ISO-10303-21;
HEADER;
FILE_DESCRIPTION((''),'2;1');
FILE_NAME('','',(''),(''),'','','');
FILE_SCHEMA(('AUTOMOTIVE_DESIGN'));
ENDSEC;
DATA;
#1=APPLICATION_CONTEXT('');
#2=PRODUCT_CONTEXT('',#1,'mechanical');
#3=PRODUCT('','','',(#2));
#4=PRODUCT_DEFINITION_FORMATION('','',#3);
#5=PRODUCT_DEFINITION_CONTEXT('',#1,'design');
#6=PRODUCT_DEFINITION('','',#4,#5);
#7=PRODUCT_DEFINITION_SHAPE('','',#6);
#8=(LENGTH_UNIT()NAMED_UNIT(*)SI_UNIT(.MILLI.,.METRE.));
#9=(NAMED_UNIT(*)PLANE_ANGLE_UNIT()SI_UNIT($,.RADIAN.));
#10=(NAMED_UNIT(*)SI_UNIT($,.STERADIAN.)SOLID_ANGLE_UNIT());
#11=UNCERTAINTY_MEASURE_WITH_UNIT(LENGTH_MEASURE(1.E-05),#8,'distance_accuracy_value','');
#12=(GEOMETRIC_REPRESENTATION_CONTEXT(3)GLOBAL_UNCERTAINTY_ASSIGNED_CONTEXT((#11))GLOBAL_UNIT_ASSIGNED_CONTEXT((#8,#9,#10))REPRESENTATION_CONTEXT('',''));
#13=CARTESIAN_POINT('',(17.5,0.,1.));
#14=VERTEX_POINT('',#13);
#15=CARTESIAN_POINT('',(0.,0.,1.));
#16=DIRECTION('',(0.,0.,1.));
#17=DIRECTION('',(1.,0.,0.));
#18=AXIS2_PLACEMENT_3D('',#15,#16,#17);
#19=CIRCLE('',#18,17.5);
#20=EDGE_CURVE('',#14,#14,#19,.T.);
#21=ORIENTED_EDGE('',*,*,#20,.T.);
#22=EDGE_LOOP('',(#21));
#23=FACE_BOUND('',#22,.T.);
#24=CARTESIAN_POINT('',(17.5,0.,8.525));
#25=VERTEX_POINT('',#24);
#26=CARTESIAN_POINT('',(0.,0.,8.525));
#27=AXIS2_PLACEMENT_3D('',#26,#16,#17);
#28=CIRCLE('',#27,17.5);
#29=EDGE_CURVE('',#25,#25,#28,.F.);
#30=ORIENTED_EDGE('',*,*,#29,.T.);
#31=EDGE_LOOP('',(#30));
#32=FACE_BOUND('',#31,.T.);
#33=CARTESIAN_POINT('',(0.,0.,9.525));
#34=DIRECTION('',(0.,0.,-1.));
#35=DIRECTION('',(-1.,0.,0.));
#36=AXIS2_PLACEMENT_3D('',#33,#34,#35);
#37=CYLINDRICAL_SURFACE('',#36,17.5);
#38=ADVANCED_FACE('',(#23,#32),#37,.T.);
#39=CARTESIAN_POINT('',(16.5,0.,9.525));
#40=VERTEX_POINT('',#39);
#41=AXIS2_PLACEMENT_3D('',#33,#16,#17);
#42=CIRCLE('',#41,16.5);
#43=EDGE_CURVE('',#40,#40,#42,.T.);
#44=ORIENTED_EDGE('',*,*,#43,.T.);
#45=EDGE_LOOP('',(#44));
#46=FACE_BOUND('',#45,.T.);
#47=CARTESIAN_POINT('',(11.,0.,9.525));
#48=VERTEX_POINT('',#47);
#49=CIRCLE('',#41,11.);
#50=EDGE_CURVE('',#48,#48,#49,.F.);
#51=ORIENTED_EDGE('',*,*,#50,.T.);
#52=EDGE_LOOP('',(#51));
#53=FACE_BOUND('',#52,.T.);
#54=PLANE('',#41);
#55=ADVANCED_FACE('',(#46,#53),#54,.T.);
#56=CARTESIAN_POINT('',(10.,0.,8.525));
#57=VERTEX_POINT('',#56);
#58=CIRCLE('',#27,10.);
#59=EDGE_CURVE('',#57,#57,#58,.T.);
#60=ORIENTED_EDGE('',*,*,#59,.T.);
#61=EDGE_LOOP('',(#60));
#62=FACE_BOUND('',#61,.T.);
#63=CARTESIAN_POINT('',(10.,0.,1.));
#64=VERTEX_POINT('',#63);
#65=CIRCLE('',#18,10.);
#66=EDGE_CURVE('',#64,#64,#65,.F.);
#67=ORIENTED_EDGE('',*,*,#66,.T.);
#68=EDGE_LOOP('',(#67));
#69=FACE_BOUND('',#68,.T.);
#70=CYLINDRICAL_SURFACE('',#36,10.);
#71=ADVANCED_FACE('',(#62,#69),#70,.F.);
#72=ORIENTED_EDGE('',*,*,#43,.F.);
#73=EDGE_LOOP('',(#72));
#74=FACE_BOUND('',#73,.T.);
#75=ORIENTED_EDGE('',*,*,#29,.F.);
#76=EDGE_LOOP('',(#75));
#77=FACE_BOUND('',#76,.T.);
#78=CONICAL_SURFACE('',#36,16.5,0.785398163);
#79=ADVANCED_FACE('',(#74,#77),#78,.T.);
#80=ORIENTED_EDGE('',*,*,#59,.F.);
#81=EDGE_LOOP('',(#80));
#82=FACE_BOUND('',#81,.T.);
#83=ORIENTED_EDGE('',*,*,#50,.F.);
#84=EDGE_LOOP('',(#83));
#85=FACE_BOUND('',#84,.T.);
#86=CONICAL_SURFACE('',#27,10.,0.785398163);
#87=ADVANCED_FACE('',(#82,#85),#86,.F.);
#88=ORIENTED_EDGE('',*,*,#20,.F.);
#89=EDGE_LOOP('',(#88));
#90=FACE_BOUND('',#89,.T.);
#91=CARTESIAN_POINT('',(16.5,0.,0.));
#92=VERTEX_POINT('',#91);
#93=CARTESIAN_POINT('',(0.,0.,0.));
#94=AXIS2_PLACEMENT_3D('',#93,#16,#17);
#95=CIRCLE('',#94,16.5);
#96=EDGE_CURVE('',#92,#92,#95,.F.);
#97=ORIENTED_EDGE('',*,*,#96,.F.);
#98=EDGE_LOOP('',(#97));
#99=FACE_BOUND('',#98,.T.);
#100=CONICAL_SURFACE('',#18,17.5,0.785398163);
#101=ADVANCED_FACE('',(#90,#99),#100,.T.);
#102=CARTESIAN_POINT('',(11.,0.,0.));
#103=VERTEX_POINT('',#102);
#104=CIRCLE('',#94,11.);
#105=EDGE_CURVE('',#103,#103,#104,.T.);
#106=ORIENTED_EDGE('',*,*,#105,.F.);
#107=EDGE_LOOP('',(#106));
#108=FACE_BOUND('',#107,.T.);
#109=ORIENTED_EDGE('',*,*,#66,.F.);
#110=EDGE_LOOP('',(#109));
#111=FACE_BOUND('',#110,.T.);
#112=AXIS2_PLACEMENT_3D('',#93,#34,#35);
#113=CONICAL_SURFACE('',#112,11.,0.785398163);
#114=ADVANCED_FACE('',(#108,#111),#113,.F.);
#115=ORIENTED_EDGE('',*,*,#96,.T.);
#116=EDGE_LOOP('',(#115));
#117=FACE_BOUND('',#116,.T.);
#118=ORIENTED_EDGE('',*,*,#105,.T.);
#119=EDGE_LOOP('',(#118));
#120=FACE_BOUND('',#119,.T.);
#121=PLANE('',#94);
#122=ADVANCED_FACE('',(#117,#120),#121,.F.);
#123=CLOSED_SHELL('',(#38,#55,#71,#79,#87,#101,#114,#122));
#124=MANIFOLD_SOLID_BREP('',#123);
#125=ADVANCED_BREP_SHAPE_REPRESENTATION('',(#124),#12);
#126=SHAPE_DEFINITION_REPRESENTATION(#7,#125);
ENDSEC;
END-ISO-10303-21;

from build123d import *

# Parameters (mm, degrees)
ESBO_O1_R                = 17.5
ESBO_O1_R_2              = 10
RESSALTO_EXTRUS_O1_DEPTH = 9.525
CHANFRO1_SIZE            = 1


with BuildPart() as part:
    # Esboço1 → Ressalto-extrusão1 (new body)
    with BuildSketch(Plane.XY):
        Circle(ESBO_O1_R)
        Circle(ESBO_O1_R_2, mode=Mode.SUBTRACT)
    extrude(amount=RESSALTO_EXTRUS_O1_DEPTH)

    # Chanfro1
    chanfro1_edges = [part.edges().sort_by_distance(p)[0] for p in [
        (-17.5, 0, 0),
        (-17.5, 0, 9.525),
        (-10, 0, 0),
        (-10, 0, 9.525),
    ]]
    chamfer(chanfro1_edges, length=CHANFRO1_SIZE)


solid = part.part
